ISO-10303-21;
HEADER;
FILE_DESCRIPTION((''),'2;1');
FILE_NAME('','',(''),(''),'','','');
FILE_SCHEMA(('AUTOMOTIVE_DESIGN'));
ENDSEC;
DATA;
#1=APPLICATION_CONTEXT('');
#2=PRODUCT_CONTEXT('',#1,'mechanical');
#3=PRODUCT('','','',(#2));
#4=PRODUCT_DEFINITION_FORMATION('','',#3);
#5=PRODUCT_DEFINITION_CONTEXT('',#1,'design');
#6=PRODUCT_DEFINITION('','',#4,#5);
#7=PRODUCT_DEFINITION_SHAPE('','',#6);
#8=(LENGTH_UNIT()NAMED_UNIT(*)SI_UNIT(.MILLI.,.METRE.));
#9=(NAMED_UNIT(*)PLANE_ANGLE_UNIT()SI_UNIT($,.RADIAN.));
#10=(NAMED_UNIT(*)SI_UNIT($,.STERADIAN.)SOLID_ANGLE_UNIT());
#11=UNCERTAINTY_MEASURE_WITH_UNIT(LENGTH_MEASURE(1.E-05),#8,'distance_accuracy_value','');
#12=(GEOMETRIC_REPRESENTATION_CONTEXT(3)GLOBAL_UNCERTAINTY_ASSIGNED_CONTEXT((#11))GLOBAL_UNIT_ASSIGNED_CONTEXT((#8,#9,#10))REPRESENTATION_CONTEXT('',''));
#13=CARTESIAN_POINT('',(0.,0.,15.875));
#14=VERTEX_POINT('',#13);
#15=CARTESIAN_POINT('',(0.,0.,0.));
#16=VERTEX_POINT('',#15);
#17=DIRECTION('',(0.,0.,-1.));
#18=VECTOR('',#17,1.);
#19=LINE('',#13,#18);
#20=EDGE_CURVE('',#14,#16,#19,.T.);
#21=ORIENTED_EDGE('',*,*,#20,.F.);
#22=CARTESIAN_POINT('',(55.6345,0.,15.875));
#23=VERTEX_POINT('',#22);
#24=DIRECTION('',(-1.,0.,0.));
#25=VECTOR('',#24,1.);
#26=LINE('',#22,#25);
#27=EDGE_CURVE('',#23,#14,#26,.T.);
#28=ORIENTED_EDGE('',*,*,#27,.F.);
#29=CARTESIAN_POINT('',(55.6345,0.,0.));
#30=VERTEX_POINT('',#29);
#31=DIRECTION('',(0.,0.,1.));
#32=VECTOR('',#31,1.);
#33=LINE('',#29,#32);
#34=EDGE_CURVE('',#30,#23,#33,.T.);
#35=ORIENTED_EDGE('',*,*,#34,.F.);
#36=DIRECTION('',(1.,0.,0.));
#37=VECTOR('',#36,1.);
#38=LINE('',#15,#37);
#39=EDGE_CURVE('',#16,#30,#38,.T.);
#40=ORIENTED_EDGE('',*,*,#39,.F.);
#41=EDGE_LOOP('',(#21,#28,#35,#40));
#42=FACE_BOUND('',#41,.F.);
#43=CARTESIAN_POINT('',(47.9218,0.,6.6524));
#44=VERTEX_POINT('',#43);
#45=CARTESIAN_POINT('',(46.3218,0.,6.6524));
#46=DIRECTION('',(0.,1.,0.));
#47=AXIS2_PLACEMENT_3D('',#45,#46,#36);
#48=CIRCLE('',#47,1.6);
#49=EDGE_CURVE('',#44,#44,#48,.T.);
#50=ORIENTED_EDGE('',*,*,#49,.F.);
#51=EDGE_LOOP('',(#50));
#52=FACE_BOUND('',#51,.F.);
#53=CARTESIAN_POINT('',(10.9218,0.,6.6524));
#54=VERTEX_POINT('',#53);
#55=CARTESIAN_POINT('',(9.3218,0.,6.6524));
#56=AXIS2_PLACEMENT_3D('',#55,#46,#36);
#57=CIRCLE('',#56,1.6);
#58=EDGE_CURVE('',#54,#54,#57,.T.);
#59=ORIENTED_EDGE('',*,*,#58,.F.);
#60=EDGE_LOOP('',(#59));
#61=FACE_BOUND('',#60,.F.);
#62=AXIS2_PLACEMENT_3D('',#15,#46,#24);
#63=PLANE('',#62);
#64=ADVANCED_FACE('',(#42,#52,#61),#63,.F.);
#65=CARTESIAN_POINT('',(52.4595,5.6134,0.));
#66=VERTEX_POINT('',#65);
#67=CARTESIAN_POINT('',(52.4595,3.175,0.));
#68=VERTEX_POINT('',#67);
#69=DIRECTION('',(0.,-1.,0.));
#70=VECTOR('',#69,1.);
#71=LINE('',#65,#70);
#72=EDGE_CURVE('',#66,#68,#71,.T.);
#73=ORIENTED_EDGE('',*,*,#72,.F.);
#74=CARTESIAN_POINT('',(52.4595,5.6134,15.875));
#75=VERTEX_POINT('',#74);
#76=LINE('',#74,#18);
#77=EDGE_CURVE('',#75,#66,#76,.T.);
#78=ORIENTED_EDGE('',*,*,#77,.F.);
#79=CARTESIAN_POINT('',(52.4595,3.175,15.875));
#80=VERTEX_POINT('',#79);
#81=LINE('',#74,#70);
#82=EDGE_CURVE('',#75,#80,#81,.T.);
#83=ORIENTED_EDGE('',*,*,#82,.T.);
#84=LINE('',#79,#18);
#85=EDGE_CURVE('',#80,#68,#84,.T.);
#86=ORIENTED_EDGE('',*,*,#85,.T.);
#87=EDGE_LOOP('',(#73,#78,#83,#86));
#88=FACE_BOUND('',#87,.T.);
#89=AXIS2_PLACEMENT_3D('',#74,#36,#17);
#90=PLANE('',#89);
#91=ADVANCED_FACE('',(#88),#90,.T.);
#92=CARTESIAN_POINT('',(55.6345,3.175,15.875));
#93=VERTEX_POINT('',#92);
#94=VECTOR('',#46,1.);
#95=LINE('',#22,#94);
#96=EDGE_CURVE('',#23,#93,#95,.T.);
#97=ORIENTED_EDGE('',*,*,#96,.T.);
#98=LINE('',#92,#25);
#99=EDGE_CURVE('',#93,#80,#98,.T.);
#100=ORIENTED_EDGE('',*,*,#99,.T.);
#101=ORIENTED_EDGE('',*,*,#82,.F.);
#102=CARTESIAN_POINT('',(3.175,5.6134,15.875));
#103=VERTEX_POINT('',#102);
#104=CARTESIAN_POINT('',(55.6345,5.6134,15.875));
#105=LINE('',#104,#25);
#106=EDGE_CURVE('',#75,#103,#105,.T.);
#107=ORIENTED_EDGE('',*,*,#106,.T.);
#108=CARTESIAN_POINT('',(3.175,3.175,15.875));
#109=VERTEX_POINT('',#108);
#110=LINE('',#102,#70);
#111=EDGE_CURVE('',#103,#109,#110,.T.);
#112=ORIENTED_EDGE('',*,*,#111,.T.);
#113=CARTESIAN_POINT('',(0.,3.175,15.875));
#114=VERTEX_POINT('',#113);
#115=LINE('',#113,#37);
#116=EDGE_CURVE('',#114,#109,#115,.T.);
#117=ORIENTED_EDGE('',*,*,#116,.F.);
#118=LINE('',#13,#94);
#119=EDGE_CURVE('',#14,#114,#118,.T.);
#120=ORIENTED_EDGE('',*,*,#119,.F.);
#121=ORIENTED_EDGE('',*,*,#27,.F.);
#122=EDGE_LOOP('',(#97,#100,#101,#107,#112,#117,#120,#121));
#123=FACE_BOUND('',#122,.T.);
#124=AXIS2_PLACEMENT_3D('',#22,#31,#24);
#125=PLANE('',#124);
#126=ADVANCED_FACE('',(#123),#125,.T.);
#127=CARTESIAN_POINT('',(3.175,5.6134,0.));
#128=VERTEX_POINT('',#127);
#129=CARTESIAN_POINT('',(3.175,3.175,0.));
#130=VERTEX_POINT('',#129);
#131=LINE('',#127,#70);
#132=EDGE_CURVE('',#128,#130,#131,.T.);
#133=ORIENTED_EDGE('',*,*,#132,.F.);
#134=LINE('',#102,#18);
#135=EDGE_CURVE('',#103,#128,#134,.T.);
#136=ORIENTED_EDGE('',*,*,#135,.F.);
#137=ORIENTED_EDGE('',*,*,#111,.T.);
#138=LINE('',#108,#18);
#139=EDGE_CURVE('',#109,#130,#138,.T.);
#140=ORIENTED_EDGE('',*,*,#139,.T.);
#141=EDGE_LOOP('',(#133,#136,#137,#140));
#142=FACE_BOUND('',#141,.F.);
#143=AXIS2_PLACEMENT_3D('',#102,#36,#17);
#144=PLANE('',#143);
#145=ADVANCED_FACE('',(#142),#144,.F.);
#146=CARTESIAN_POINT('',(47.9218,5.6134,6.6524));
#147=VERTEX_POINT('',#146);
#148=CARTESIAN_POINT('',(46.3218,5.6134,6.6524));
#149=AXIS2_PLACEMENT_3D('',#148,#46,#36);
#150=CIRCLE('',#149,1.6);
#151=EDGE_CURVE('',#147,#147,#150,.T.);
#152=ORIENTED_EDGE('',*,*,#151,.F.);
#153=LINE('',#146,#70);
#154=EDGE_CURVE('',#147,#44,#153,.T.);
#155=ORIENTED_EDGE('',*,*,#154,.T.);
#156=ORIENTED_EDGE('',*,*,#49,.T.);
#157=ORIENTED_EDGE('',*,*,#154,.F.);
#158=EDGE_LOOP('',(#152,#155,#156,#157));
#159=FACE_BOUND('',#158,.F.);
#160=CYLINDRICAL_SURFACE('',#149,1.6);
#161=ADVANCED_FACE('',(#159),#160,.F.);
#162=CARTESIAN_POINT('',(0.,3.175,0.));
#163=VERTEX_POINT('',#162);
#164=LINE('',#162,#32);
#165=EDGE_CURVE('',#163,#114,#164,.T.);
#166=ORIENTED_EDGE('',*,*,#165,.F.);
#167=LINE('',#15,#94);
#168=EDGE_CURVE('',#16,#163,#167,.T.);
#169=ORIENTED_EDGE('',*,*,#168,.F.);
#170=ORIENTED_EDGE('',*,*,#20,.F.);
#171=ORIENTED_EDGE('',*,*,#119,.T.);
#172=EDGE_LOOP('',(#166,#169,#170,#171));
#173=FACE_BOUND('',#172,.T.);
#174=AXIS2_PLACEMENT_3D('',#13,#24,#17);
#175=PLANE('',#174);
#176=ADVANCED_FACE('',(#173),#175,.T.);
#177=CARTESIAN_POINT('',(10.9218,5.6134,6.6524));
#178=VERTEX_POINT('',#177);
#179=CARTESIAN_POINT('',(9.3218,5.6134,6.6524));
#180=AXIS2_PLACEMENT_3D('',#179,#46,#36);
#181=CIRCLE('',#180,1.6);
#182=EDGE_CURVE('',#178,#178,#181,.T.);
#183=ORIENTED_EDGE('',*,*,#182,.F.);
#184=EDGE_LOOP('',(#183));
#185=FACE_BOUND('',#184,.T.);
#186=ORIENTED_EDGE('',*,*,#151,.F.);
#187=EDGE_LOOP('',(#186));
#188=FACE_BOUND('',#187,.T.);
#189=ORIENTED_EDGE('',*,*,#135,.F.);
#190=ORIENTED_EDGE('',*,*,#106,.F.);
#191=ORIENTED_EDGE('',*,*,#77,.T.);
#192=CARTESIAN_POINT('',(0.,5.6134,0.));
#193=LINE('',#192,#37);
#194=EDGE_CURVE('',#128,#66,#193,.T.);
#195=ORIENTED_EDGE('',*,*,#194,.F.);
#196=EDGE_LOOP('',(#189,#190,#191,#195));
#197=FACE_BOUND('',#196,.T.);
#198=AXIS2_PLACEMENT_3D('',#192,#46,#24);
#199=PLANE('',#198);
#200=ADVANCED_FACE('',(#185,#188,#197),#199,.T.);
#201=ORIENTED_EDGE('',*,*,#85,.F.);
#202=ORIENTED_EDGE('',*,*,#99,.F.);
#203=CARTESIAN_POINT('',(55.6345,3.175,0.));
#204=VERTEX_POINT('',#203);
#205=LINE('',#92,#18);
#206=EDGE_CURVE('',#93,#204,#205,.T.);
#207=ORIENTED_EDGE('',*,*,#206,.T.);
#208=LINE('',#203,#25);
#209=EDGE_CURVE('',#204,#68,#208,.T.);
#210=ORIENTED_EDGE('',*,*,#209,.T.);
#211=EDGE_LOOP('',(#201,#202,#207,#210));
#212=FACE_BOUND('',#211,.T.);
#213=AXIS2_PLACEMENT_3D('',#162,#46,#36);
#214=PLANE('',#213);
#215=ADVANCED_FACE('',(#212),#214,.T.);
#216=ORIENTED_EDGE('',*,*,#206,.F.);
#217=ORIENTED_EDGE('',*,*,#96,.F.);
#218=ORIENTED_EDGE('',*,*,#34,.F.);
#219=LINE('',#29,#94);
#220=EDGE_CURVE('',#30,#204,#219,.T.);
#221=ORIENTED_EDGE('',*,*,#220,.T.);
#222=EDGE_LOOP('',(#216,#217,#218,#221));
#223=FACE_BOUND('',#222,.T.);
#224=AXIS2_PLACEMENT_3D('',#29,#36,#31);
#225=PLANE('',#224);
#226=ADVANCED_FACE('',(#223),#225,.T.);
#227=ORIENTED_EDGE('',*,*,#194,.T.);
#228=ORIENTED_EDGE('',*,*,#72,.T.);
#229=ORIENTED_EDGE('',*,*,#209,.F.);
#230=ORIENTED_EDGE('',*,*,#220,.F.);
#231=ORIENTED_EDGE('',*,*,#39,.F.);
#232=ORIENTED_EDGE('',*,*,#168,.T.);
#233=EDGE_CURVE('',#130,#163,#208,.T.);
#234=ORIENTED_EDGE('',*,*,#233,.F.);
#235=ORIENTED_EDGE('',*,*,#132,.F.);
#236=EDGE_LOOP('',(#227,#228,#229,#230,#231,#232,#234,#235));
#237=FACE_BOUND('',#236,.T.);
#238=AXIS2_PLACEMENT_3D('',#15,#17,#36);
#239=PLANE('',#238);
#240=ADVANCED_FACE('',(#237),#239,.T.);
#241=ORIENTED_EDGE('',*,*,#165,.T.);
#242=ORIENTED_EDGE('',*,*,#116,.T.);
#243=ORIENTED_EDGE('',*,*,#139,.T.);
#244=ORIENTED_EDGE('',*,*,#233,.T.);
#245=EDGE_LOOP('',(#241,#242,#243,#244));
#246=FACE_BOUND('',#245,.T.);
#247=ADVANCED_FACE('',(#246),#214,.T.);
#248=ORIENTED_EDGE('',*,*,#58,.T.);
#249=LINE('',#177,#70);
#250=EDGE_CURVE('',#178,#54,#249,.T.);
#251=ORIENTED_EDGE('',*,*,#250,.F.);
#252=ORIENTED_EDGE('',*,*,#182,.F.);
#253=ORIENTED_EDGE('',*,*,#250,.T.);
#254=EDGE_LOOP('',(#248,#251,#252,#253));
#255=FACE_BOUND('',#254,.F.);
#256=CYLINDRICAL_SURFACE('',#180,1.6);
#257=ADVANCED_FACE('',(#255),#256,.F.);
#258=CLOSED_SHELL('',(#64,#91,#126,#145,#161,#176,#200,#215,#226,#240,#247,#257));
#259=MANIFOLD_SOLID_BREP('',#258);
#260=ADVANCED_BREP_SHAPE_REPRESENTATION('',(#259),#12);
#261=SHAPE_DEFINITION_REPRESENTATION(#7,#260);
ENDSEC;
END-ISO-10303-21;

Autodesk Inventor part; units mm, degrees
ref_plane "YZ Plane" through (0, 0, 0) normal (1, 0, 0) x (0, 1, 0)
ref_plane "XZ Plane" through (0, 0, 0) normal (0, 1, 0) x (-1, 0, 0)
ref_plane "XY Plane" through (0, 0, 0) normal (0, 0, 1) x (1, 0, 0)
sketch "Sketch1" plane through (0, 0, 0) normal (0, 1, 0) x (-1, 0, 0)
  line L0 (0, 0) -> (-55.6345, 0)
  line L1 (-55.6345, 0) -> (-55.6345, 15.875)
  line L2 (-55.6345, 15.875) -> (0, 15.875)
  line L3 (0, 15.875) -> (0, 0)
  dimension "d0" = 55.6345
  dimension "d1" = 15.875
extrude "Extrusion1" add sketch "Sketch1" along normal blind 5.6134
sketch "Sketch7" plane through (0, 5.6134, 0) normal (0, 1, 0) x (1, 0, 0)
  circle A0 centre (9.3218, -6.6524) radius 1.6
  circle A1 centre (46.3218, -6.6524) radius 1.6
  line L0 (0, 0) -> (0, -15.875) projected
  line L1 (55.6345, 0) -> (0, 0) projected
  line L2 (55.6345, -15.875) -> (55.6345, 0) projected
  dimension "d22" = 3.2
  dimension "d23" = 3.2
  dimension "d24" = 37
  dimension "d43" = 6.6524
  dimension "d44" = 6.6524
  dimension "d48" = 9.3218
  dimension "d49" = 9.3127
extrude "Extrusion6" cut sketch "Sketch7" against normal blind 25.4
sketch "Sketch8" plane through (0, 5.6134, 0) normal (0, 1, 0) x (1, 0, 0)
  line L0 (55.6345, 0) -> (0, 0) projected
  line L1 (0, 0) -> (0, -15.875) projected
  line L2 (55.6345, -15.875) -> (55.6345, 0) projected
  line L3 (0, -15.875) -> (3.175, -15.875)
  line L4 (3.175, -15.875) -> (3.175, 0)
  line L5 (3.175, 0) -> (0, 0)
  line L6 (0, 0) -> (0, -15.875)
  line L7 (55.6345, -15.875) -> (52.4595, -15.875)
  line L8 (52.4595, -15.875) -> (52.4595, 0)
  line L9 (52.4595, 0) -> (55.6345, 0)
  line L10 (55.6345, 0) -> (55.6345, -15.875)
  dimension "d34" = 3.175
  dimension "d35" = 3.175
extrude "Extrusion7" cut sketch "Sketch8" against normal blind 2.4384
equation "\"d23\" = d22"
properties part number "Lidar Sensor Case Piece 3"
